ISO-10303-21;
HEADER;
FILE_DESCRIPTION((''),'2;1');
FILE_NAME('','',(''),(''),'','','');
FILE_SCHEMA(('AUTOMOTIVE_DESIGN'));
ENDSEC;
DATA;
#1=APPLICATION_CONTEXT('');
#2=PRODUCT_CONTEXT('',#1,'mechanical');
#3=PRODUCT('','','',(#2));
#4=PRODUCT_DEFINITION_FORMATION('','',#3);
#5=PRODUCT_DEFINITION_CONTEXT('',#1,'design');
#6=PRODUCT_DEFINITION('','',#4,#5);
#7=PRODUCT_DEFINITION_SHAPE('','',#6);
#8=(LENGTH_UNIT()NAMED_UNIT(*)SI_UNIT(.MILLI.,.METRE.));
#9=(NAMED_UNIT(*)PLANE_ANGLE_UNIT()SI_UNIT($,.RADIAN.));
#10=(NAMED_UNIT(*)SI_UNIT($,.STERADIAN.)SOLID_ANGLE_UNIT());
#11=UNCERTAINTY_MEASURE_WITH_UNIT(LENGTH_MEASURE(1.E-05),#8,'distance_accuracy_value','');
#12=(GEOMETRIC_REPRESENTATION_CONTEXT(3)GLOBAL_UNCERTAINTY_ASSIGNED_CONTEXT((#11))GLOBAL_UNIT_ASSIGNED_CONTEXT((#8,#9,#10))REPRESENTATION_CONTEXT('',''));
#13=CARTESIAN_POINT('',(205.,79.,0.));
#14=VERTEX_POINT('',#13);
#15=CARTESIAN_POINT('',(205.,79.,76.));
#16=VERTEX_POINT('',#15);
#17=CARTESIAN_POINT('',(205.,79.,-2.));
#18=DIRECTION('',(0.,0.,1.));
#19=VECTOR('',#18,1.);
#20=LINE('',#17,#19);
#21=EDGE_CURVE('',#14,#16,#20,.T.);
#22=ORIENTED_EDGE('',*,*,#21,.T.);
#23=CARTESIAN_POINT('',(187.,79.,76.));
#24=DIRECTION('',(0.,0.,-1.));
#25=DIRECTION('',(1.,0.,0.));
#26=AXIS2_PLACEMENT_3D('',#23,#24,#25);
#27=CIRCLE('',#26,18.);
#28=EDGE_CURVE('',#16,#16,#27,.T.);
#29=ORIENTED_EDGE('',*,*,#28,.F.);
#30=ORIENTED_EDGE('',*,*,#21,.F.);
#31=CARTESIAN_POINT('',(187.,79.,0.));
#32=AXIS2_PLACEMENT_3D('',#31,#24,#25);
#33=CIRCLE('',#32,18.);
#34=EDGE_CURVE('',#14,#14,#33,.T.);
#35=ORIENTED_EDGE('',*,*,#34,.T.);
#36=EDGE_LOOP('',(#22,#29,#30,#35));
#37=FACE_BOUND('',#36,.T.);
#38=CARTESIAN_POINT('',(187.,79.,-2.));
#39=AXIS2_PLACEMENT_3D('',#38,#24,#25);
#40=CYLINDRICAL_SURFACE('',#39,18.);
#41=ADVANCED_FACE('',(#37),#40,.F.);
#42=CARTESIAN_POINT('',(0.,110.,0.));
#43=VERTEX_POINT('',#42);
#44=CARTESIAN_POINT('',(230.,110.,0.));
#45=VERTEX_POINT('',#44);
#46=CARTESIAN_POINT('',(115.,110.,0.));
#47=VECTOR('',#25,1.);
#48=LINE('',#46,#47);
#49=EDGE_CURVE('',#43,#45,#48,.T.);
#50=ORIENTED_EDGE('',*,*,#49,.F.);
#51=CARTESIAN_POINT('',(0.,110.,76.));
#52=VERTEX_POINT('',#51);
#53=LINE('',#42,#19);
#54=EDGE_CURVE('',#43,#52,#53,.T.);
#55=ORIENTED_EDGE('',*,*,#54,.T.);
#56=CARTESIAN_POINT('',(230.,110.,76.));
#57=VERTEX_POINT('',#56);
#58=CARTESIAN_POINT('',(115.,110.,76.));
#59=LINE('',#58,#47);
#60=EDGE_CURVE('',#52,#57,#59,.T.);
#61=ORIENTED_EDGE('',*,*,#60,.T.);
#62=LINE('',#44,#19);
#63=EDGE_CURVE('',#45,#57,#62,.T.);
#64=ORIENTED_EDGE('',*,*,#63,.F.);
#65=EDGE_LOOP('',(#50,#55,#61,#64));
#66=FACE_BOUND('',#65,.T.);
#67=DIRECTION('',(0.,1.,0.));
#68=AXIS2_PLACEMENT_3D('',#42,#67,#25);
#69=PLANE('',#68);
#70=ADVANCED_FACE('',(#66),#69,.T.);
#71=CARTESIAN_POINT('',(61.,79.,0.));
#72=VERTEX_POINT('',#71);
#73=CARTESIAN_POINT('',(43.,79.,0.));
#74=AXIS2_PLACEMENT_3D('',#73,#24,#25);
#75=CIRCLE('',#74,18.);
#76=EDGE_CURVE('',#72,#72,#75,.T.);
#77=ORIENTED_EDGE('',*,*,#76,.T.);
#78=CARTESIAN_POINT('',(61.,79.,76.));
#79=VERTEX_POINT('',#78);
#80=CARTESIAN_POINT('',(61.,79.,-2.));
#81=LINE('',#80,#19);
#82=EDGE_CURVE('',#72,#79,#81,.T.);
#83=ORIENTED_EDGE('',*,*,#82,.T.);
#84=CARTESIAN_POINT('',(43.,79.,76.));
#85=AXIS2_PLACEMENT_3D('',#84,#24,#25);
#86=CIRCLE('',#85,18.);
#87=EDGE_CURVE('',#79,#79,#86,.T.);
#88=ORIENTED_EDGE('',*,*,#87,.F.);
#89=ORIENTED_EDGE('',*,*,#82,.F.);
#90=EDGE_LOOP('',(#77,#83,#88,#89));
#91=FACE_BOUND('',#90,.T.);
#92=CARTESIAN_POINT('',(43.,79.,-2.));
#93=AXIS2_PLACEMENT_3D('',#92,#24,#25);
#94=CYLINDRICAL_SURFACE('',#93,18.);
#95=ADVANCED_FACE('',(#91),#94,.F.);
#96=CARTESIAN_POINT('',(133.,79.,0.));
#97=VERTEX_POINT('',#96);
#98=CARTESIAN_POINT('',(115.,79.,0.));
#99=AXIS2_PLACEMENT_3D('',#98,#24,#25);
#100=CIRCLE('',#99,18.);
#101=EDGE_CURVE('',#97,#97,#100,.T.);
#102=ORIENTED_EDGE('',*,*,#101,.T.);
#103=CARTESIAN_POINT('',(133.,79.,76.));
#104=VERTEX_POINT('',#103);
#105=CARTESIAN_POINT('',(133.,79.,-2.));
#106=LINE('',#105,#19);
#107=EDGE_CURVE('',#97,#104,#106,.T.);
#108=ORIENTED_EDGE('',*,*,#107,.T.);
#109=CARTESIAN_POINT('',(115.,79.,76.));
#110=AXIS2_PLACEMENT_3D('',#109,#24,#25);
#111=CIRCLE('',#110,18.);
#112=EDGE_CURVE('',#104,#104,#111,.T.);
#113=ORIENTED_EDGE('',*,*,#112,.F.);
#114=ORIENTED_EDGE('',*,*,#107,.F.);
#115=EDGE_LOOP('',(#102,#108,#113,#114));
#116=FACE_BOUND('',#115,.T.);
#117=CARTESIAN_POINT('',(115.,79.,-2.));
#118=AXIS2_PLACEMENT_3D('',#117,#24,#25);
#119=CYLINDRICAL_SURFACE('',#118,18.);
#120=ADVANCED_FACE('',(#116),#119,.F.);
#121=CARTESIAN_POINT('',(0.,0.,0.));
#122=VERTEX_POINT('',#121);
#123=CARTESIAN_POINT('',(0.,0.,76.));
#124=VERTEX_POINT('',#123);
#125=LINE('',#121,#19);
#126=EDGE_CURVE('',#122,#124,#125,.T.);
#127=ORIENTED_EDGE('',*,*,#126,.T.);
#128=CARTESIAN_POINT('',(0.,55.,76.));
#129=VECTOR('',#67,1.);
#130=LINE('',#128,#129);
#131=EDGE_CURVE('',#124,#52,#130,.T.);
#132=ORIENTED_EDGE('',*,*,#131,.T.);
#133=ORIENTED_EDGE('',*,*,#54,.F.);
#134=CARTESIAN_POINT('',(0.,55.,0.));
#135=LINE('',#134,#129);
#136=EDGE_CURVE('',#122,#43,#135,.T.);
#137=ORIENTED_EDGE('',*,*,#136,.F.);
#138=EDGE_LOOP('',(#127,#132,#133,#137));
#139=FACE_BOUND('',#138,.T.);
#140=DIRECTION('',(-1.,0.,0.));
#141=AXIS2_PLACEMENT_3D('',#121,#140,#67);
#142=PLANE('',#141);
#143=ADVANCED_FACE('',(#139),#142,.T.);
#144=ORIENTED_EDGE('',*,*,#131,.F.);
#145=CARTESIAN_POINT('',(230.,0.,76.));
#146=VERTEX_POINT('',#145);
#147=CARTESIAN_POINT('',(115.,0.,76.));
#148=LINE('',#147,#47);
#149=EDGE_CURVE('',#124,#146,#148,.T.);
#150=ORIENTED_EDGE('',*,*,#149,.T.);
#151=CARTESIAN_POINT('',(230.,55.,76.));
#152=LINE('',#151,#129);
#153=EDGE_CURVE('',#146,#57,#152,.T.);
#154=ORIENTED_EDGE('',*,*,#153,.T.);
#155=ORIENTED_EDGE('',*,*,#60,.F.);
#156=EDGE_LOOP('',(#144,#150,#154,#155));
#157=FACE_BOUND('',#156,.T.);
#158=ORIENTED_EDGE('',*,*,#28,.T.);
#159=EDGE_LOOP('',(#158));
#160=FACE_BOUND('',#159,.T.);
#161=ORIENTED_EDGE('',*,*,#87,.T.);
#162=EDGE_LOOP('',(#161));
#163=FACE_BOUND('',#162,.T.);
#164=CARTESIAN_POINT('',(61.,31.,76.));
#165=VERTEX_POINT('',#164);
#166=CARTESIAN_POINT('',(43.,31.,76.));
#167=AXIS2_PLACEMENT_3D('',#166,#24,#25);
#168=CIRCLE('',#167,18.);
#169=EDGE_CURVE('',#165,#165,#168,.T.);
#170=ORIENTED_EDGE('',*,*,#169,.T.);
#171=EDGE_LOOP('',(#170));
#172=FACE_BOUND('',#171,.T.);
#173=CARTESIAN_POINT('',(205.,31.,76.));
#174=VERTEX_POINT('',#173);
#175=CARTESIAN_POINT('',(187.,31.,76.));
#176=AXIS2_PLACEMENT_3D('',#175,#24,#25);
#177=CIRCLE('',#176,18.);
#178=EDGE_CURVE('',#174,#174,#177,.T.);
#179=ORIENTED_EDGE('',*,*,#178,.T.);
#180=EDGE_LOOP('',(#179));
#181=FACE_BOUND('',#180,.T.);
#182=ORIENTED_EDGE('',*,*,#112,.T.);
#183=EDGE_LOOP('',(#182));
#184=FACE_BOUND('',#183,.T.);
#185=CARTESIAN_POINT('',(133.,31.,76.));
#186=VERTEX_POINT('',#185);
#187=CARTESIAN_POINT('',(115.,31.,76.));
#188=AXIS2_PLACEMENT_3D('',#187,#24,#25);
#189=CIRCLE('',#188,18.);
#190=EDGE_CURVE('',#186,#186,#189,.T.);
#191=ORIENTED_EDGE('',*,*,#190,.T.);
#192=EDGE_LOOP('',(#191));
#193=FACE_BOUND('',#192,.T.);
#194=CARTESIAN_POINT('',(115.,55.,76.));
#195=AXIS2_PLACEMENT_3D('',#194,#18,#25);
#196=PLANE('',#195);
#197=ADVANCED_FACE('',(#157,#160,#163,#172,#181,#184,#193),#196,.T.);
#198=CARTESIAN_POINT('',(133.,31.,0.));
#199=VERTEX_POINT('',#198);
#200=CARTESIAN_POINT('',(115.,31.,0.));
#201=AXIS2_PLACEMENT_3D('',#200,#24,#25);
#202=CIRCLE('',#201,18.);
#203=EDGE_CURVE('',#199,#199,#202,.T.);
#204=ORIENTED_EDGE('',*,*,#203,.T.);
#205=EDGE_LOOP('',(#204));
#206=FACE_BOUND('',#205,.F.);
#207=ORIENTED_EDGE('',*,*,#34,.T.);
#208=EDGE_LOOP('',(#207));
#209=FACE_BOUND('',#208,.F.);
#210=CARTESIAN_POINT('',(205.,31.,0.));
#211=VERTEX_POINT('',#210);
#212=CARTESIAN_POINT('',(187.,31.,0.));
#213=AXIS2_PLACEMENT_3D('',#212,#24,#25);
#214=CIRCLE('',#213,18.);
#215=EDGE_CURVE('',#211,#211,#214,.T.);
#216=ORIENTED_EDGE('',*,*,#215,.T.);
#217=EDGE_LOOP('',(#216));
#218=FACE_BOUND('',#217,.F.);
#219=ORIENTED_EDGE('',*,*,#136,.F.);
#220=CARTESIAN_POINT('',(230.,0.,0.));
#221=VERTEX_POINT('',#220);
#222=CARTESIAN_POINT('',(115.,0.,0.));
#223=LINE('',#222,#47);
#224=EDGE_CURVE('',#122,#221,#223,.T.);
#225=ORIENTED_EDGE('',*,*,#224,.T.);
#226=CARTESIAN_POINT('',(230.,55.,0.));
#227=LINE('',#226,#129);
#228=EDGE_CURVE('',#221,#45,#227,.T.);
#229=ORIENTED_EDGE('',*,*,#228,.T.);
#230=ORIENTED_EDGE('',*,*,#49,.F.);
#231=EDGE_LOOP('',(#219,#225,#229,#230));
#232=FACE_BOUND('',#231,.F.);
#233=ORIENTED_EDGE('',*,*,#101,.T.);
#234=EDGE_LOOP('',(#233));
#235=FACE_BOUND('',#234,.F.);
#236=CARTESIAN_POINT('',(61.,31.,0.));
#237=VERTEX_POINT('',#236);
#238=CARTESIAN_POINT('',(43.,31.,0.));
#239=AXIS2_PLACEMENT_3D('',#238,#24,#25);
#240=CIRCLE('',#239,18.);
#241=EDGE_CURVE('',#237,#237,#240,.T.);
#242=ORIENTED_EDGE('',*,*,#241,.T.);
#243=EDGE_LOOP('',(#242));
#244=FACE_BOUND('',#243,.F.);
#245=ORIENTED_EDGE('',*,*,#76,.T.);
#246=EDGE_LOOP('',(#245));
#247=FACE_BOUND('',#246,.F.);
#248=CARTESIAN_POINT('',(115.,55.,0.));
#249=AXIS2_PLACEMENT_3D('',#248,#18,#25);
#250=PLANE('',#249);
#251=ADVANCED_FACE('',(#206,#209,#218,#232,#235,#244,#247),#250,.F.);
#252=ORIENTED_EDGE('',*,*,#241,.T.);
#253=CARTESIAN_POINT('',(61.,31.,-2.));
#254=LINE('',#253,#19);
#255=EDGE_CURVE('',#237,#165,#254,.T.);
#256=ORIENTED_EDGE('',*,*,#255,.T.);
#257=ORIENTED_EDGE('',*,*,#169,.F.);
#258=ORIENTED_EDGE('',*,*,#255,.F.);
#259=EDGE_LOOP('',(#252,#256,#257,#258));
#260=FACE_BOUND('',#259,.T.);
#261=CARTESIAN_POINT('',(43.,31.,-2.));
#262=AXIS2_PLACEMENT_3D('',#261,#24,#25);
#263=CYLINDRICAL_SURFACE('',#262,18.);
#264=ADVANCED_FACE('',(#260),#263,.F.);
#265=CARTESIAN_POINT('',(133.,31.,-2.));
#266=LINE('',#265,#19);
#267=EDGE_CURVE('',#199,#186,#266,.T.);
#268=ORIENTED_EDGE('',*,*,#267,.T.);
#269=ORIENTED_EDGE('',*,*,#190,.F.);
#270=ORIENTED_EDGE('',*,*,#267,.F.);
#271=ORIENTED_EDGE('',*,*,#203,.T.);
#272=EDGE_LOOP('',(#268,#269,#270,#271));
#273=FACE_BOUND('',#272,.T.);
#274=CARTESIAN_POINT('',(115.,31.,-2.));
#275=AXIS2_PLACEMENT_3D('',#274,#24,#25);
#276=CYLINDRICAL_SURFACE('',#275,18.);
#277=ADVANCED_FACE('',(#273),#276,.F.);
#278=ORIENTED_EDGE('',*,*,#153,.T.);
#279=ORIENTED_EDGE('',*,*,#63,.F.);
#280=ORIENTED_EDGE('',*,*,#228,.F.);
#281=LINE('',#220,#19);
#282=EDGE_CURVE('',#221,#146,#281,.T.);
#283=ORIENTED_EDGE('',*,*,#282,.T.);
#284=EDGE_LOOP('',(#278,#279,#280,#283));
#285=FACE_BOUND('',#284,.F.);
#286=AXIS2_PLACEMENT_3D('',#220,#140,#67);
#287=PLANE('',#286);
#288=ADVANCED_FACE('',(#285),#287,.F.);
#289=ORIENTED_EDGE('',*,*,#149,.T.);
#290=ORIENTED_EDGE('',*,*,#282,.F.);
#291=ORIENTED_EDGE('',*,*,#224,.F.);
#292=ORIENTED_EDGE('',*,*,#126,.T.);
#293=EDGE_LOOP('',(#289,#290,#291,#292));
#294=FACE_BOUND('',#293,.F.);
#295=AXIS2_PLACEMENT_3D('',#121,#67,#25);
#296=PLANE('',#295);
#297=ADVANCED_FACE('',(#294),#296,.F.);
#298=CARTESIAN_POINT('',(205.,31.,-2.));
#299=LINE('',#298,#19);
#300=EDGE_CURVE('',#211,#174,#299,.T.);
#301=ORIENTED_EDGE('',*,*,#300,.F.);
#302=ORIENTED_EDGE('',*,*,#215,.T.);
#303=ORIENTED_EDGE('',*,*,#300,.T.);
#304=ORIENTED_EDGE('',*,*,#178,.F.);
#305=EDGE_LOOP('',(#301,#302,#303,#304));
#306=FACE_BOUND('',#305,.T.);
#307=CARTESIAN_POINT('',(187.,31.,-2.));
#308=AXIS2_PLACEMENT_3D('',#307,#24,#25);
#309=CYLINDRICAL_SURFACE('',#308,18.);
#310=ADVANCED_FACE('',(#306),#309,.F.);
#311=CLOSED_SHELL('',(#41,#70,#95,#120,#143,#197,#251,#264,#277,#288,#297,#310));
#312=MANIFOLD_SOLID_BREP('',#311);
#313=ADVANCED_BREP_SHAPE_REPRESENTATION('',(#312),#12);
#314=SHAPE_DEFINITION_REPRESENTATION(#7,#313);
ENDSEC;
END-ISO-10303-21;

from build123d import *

# Parameters (mm, degrees)
CYLINDER001_R     = 18
CYLINDER001_DEPTH = 80
CYLINDER003_R     = 18
CYLINDER003_DEPTH = 80
CYLINDER002_R     = 18
CYLINDER002_DEPTH = 80
CYLINDER005_R     = 18
CYLINDER005_DEPTH = 80
CYLINDER004_R     = 18
CYLINDER004_DEPTH = 80
CYLINDER_R        = 18
CYLINDER_DEPTH    = 80
BOX_W             = 230
BOX_H             = 110
BOX_DEPTH         = 76


with BuildPart() as cylinder001:
    # Cylinder001 → Cylinder001 (new body)
    with BuildSketch(Plane(origin=(0, 48, -2), x_dir=(1, 0, 0), z_dir=(0, 0, 1))):
        Circle(CYLINDER001_R)
    extrude(amount=CYLINDER001_DEPTH)


with BuildPart() as cylinder003:
    # Cylinder003 → Cylinder003 (new body)
    with BuildSketch(Plane(origin=(72, 48, -2), x_dir=(1, 0, 0), z_dir=(0, 0, 1))):
        Circle(CYLINDER003_R)
    extrude(amount=CYLINDER003_DEPTH)


with BuildPart() as cylinder002:
    # Cylinder002 → Cylinder002 (new body)
    with BuildSketch(Plane(origin=(72, 0, -2), x_dir=(1, 0, 0), z_dir=(0, 0, 1))):
        Circle(CYLINDER002_R)
    extrude(amount=CYLINDER002_DEPTH)


with BuildPart() as cylinder005:
    # Cylinder005 → Cylinder005 (new body)
    with BuildSketch(Plane(origin=(144, 48, -2), x_dir=(1, 0, 0), z_dir=(0, 0, 1))):
        Circle(CYLINDER005_R)
    extrude(amount=CYLINDER005_DEPTH)


with BuildPart() as cylinder004:
    # Cylinder004 → Cylinder004 (new body)
    with BuildSketch(Plane(origin=(144, 0, -2), x_dir=(1, 0, 0), z_dir=(0, 0, 1))):
        Circle(CYLINDER004_R)
    extrude(amount=CYLINDER004_DEPTH)


with BuildPart() as fusion:
    # Cylinder → Cylinder (new body)
    with BuildSketch(Plane.XY.offset(-2)):
        Circle(CYLINDER_R)
    extrude(amount=CYLINDER_DEPTH)

    # Fusion: union Cylinder001, Cylinder003, Cylinder002, Cylinder005, Cylinder004
    add(cylinder001.part)
    add(cylinder003.part)
    add(cylinder002.part)
    add(cylinder005.part)
    add(cylinder004.part)


with BuildPart() as fusion_1:
    # Fusion placement: moved
    add(fusion.part.moved(Location((43, 31, 0))))


with BuildPart() as bloque:
    # Box → Box (new body)
    with BuildSketch(Plane.XY):
        with Locations((115, 55)):
            Rectangle(BOX_W, BOX_H)
    extrude(amount=BOX_DEPTH)

    # Cut: cut Fusion
    add(fusion_1.part, mode=Mode.SUBTRACT)


solid = bloque.part
